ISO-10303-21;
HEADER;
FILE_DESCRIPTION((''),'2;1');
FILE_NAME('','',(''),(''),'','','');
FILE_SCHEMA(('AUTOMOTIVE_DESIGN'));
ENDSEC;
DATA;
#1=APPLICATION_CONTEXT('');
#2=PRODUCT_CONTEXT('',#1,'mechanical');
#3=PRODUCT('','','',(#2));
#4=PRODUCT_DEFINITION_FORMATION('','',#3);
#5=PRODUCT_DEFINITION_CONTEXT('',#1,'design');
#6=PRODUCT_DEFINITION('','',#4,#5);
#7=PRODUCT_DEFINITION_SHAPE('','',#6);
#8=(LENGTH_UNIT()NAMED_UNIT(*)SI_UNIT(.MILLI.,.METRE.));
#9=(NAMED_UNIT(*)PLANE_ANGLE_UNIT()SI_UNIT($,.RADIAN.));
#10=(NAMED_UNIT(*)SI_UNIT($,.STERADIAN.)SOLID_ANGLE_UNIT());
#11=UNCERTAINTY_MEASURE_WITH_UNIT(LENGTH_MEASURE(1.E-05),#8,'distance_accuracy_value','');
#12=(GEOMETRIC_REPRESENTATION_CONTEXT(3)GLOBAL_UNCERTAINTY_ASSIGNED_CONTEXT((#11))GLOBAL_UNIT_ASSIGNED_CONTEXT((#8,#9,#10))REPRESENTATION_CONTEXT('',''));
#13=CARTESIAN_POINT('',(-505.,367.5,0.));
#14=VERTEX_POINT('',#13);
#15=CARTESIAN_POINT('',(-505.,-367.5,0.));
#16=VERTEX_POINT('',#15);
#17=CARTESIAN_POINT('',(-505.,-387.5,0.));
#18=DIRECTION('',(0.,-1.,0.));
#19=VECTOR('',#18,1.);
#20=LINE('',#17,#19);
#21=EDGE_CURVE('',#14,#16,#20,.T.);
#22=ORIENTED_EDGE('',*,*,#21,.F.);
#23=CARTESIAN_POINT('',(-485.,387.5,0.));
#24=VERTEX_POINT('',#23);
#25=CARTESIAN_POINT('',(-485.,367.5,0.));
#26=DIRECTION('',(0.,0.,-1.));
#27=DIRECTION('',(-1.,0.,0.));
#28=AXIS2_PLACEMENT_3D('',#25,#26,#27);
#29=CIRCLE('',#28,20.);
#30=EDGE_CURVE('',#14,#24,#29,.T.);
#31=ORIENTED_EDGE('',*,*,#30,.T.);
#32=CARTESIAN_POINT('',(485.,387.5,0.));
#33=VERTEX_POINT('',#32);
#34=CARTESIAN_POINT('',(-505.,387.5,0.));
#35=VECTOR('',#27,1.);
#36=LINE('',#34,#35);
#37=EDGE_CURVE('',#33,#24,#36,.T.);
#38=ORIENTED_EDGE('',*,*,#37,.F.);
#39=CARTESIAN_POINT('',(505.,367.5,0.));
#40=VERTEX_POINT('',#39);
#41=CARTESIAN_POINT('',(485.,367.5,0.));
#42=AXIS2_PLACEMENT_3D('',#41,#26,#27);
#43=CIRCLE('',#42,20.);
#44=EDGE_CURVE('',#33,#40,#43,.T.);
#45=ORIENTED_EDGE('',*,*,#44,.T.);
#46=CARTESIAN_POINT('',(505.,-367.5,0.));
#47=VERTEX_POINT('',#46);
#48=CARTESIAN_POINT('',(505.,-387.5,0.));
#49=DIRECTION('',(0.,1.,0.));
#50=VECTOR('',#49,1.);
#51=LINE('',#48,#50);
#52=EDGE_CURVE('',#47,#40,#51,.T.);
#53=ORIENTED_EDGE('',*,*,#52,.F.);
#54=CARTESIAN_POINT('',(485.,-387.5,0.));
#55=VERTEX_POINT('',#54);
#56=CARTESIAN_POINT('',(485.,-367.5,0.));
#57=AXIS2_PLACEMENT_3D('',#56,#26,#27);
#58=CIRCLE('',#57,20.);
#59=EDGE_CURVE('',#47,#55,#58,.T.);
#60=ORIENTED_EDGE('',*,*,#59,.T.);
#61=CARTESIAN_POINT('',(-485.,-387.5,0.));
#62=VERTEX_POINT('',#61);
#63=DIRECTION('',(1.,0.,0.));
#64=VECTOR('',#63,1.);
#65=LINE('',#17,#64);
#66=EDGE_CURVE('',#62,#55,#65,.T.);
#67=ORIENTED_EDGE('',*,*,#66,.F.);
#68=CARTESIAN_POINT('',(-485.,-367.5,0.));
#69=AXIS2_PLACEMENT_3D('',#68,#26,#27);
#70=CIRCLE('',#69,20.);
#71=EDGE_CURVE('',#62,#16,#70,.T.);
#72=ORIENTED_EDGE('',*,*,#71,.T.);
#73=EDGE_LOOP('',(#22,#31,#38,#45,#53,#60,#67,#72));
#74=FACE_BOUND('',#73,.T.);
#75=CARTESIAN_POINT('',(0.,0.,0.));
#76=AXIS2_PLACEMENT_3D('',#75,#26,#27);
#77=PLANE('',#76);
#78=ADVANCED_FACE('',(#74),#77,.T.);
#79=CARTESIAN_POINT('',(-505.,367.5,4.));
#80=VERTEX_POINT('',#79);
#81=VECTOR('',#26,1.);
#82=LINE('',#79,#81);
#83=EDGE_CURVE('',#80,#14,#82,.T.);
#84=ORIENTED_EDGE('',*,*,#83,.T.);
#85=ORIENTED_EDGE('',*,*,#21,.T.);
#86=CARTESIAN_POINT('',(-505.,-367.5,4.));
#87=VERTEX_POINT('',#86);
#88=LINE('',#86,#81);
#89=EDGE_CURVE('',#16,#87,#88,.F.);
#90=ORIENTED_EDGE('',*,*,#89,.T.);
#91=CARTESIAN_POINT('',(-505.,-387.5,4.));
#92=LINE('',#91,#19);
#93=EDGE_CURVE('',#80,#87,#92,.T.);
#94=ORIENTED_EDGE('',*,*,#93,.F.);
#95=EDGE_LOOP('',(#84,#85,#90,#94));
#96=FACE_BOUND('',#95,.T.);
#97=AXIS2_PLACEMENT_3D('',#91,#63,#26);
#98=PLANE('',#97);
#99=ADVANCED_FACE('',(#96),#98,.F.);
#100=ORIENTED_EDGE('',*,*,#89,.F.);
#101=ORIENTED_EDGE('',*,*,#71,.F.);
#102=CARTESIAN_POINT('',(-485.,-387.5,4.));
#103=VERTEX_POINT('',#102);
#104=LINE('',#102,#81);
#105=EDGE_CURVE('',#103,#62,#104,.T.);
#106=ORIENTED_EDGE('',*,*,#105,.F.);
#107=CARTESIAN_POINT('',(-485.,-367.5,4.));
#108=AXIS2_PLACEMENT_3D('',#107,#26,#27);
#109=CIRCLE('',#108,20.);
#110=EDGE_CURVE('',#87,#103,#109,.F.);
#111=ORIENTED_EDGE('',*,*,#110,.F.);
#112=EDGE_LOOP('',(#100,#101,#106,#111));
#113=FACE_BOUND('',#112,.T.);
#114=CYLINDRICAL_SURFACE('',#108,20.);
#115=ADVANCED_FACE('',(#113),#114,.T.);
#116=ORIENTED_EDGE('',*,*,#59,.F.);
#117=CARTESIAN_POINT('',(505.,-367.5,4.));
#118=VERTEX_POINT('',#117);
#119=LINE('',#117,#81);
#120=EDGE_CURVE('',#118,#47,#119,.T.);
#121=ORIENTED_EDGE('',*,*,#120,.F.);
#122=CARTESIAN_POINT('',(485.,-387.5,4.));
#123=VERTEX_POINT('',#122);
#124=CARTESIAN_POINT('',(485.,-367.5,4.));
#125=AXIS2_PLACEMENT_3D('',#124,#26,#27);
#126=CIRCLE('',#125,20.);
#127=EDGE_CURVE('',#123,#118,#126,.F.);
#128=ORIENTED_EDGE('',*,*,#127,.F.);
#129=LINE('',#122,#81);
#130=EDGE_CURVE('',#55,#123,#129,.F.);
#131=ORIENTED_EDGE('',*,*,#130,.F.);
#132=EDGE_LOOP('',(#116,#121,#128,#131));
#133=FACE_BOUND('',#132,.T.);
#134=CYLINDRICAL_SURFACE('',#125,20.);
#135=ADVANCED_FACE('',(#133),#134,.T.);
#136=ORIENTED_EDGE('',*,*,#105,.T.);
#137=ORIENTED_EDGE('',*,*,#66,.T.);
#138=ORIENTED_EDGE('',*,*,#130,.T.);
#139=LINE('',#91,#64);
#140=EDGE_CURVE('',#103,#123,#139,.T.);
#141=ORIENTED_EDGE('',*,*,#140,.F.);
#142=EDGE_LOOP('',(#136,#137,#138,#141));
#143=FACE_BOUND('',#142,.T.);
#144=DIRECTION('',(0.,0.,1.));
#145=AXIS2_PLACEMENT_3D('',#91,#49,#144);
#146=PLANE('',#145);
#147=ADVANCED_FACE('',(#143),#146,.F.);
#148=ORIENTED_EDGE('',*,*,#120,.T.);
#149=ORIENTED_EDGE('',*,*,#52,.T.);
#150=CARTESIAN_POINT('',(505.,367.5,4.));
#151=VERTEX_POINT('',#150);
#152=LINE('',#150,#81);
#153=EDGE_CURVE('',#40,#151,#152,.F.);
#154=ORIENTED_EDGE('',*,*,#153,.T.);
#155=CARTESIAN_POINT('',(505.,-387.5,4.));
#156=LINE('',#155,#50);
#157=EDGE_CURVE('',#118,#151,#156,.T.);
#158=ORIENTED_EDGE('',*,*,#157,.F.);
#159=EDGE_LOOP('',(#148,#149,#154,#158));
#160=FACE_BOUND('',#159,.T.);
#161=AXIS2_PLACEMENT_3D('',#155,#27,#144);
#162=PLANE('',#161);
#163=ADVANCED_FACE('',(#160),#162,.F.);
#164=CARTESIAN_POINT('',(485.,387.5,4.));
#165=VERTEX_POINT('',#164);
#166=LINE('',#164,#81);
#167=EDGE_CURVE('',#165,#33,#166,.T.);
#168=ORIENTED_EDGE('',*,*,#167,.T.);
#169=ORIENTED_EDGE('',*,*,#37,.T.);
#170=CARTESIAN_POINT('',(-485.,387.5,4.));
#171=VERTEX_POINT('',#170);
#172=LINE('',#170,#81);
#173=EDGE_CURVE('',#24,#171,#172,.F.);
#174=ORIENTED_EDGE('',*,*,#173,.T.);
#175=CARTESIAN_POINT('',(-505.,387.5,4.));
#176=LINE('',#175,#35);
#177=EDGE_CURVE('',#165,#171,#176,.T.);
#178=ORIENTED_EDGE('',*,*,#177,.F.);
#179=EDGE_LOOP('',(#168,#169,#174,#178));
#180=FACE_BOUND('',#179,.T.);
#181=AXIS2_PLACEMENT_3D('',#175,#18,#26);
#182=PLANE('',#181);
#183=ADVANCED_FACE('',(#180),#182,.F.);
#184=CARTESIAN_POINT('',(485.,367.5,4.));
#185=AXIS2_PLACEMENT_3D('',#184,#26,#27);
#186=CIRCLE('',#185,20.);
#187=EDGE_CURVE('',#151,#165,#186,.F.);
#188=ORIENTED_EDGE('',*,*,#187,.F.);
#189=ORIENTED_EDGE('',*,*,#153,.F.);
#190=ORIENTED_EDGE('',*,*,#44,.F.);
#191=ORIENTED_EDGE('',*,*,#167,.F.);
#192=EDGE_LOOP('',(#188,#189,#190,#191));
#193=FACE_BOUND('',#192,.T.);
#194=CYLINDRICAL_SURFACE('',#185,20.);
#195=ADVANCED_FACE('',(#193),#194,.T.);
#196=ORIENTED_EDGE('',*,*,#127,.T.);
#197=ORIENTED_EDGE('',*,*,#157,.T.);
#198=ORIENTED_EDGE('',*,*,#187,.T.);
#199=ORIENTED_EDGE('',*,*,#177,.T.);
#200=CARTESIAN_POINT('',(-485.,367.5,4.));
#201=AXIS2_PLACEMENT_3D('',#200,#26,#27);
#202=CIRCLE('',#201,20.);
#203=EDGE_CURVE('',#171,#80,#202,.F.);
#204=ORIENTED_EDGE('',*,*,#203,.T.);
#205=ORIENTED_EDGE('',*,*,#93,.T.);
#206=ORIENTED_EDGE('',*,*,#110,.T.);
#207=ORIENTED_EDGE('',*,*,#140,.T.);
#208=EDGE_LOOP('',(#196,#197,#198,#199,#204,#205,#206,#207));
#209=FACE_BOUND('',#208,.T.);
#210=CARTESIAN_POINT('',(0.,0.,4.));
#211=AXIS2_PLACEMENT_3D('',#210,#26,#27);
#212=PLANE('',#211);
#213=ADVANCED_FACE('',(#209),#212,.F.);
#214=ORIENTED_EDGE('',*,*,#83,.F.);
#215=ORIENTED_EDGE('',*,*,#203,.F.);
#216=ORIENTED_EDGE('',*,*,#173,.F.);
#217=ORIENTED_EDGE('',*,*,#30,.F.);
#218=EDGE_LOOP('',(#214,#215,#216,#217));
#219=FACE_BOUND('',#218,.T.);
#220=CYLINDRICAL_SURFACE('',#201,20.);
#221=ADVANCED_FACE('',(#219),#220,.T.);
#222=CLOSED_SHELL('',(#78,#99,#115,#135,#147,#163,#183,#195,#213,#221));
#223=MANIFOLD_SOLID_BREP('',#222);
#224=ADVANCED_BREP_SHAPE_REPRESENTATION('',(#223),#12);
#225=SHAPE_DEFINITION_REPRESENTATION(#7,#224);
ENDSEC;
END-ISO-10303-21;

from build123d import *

# Parameters (mm, degrees)
SKETCH1_W           = 1010
SKETCH1_H           = 775
BOSS_EXTRUDE1_DEPTH = 4
FILLET1_R           = 20


with BuildPart() as part:
    # Sketch1 → Boss-Extrude1 (new body)
    with BuildSketch(Plane.XY):
        Rectangle(SKETCH1_W, SKETCH1_H)
    extrude(amount=BOSS_EXTRUDE1_DEPTH)

    # Fillet1
    fillet1_edges = [part.edges().sort_by_distance(p)[0] for p in [
        (505, -387.5, 2),
        (-505, -387.5, 2),
        (-505, 387.5, 2),
        (505, 387.5, 2),
    ]]
    fillet(fillet1_edges, radius=FILLET1_R)


solid = part.part
